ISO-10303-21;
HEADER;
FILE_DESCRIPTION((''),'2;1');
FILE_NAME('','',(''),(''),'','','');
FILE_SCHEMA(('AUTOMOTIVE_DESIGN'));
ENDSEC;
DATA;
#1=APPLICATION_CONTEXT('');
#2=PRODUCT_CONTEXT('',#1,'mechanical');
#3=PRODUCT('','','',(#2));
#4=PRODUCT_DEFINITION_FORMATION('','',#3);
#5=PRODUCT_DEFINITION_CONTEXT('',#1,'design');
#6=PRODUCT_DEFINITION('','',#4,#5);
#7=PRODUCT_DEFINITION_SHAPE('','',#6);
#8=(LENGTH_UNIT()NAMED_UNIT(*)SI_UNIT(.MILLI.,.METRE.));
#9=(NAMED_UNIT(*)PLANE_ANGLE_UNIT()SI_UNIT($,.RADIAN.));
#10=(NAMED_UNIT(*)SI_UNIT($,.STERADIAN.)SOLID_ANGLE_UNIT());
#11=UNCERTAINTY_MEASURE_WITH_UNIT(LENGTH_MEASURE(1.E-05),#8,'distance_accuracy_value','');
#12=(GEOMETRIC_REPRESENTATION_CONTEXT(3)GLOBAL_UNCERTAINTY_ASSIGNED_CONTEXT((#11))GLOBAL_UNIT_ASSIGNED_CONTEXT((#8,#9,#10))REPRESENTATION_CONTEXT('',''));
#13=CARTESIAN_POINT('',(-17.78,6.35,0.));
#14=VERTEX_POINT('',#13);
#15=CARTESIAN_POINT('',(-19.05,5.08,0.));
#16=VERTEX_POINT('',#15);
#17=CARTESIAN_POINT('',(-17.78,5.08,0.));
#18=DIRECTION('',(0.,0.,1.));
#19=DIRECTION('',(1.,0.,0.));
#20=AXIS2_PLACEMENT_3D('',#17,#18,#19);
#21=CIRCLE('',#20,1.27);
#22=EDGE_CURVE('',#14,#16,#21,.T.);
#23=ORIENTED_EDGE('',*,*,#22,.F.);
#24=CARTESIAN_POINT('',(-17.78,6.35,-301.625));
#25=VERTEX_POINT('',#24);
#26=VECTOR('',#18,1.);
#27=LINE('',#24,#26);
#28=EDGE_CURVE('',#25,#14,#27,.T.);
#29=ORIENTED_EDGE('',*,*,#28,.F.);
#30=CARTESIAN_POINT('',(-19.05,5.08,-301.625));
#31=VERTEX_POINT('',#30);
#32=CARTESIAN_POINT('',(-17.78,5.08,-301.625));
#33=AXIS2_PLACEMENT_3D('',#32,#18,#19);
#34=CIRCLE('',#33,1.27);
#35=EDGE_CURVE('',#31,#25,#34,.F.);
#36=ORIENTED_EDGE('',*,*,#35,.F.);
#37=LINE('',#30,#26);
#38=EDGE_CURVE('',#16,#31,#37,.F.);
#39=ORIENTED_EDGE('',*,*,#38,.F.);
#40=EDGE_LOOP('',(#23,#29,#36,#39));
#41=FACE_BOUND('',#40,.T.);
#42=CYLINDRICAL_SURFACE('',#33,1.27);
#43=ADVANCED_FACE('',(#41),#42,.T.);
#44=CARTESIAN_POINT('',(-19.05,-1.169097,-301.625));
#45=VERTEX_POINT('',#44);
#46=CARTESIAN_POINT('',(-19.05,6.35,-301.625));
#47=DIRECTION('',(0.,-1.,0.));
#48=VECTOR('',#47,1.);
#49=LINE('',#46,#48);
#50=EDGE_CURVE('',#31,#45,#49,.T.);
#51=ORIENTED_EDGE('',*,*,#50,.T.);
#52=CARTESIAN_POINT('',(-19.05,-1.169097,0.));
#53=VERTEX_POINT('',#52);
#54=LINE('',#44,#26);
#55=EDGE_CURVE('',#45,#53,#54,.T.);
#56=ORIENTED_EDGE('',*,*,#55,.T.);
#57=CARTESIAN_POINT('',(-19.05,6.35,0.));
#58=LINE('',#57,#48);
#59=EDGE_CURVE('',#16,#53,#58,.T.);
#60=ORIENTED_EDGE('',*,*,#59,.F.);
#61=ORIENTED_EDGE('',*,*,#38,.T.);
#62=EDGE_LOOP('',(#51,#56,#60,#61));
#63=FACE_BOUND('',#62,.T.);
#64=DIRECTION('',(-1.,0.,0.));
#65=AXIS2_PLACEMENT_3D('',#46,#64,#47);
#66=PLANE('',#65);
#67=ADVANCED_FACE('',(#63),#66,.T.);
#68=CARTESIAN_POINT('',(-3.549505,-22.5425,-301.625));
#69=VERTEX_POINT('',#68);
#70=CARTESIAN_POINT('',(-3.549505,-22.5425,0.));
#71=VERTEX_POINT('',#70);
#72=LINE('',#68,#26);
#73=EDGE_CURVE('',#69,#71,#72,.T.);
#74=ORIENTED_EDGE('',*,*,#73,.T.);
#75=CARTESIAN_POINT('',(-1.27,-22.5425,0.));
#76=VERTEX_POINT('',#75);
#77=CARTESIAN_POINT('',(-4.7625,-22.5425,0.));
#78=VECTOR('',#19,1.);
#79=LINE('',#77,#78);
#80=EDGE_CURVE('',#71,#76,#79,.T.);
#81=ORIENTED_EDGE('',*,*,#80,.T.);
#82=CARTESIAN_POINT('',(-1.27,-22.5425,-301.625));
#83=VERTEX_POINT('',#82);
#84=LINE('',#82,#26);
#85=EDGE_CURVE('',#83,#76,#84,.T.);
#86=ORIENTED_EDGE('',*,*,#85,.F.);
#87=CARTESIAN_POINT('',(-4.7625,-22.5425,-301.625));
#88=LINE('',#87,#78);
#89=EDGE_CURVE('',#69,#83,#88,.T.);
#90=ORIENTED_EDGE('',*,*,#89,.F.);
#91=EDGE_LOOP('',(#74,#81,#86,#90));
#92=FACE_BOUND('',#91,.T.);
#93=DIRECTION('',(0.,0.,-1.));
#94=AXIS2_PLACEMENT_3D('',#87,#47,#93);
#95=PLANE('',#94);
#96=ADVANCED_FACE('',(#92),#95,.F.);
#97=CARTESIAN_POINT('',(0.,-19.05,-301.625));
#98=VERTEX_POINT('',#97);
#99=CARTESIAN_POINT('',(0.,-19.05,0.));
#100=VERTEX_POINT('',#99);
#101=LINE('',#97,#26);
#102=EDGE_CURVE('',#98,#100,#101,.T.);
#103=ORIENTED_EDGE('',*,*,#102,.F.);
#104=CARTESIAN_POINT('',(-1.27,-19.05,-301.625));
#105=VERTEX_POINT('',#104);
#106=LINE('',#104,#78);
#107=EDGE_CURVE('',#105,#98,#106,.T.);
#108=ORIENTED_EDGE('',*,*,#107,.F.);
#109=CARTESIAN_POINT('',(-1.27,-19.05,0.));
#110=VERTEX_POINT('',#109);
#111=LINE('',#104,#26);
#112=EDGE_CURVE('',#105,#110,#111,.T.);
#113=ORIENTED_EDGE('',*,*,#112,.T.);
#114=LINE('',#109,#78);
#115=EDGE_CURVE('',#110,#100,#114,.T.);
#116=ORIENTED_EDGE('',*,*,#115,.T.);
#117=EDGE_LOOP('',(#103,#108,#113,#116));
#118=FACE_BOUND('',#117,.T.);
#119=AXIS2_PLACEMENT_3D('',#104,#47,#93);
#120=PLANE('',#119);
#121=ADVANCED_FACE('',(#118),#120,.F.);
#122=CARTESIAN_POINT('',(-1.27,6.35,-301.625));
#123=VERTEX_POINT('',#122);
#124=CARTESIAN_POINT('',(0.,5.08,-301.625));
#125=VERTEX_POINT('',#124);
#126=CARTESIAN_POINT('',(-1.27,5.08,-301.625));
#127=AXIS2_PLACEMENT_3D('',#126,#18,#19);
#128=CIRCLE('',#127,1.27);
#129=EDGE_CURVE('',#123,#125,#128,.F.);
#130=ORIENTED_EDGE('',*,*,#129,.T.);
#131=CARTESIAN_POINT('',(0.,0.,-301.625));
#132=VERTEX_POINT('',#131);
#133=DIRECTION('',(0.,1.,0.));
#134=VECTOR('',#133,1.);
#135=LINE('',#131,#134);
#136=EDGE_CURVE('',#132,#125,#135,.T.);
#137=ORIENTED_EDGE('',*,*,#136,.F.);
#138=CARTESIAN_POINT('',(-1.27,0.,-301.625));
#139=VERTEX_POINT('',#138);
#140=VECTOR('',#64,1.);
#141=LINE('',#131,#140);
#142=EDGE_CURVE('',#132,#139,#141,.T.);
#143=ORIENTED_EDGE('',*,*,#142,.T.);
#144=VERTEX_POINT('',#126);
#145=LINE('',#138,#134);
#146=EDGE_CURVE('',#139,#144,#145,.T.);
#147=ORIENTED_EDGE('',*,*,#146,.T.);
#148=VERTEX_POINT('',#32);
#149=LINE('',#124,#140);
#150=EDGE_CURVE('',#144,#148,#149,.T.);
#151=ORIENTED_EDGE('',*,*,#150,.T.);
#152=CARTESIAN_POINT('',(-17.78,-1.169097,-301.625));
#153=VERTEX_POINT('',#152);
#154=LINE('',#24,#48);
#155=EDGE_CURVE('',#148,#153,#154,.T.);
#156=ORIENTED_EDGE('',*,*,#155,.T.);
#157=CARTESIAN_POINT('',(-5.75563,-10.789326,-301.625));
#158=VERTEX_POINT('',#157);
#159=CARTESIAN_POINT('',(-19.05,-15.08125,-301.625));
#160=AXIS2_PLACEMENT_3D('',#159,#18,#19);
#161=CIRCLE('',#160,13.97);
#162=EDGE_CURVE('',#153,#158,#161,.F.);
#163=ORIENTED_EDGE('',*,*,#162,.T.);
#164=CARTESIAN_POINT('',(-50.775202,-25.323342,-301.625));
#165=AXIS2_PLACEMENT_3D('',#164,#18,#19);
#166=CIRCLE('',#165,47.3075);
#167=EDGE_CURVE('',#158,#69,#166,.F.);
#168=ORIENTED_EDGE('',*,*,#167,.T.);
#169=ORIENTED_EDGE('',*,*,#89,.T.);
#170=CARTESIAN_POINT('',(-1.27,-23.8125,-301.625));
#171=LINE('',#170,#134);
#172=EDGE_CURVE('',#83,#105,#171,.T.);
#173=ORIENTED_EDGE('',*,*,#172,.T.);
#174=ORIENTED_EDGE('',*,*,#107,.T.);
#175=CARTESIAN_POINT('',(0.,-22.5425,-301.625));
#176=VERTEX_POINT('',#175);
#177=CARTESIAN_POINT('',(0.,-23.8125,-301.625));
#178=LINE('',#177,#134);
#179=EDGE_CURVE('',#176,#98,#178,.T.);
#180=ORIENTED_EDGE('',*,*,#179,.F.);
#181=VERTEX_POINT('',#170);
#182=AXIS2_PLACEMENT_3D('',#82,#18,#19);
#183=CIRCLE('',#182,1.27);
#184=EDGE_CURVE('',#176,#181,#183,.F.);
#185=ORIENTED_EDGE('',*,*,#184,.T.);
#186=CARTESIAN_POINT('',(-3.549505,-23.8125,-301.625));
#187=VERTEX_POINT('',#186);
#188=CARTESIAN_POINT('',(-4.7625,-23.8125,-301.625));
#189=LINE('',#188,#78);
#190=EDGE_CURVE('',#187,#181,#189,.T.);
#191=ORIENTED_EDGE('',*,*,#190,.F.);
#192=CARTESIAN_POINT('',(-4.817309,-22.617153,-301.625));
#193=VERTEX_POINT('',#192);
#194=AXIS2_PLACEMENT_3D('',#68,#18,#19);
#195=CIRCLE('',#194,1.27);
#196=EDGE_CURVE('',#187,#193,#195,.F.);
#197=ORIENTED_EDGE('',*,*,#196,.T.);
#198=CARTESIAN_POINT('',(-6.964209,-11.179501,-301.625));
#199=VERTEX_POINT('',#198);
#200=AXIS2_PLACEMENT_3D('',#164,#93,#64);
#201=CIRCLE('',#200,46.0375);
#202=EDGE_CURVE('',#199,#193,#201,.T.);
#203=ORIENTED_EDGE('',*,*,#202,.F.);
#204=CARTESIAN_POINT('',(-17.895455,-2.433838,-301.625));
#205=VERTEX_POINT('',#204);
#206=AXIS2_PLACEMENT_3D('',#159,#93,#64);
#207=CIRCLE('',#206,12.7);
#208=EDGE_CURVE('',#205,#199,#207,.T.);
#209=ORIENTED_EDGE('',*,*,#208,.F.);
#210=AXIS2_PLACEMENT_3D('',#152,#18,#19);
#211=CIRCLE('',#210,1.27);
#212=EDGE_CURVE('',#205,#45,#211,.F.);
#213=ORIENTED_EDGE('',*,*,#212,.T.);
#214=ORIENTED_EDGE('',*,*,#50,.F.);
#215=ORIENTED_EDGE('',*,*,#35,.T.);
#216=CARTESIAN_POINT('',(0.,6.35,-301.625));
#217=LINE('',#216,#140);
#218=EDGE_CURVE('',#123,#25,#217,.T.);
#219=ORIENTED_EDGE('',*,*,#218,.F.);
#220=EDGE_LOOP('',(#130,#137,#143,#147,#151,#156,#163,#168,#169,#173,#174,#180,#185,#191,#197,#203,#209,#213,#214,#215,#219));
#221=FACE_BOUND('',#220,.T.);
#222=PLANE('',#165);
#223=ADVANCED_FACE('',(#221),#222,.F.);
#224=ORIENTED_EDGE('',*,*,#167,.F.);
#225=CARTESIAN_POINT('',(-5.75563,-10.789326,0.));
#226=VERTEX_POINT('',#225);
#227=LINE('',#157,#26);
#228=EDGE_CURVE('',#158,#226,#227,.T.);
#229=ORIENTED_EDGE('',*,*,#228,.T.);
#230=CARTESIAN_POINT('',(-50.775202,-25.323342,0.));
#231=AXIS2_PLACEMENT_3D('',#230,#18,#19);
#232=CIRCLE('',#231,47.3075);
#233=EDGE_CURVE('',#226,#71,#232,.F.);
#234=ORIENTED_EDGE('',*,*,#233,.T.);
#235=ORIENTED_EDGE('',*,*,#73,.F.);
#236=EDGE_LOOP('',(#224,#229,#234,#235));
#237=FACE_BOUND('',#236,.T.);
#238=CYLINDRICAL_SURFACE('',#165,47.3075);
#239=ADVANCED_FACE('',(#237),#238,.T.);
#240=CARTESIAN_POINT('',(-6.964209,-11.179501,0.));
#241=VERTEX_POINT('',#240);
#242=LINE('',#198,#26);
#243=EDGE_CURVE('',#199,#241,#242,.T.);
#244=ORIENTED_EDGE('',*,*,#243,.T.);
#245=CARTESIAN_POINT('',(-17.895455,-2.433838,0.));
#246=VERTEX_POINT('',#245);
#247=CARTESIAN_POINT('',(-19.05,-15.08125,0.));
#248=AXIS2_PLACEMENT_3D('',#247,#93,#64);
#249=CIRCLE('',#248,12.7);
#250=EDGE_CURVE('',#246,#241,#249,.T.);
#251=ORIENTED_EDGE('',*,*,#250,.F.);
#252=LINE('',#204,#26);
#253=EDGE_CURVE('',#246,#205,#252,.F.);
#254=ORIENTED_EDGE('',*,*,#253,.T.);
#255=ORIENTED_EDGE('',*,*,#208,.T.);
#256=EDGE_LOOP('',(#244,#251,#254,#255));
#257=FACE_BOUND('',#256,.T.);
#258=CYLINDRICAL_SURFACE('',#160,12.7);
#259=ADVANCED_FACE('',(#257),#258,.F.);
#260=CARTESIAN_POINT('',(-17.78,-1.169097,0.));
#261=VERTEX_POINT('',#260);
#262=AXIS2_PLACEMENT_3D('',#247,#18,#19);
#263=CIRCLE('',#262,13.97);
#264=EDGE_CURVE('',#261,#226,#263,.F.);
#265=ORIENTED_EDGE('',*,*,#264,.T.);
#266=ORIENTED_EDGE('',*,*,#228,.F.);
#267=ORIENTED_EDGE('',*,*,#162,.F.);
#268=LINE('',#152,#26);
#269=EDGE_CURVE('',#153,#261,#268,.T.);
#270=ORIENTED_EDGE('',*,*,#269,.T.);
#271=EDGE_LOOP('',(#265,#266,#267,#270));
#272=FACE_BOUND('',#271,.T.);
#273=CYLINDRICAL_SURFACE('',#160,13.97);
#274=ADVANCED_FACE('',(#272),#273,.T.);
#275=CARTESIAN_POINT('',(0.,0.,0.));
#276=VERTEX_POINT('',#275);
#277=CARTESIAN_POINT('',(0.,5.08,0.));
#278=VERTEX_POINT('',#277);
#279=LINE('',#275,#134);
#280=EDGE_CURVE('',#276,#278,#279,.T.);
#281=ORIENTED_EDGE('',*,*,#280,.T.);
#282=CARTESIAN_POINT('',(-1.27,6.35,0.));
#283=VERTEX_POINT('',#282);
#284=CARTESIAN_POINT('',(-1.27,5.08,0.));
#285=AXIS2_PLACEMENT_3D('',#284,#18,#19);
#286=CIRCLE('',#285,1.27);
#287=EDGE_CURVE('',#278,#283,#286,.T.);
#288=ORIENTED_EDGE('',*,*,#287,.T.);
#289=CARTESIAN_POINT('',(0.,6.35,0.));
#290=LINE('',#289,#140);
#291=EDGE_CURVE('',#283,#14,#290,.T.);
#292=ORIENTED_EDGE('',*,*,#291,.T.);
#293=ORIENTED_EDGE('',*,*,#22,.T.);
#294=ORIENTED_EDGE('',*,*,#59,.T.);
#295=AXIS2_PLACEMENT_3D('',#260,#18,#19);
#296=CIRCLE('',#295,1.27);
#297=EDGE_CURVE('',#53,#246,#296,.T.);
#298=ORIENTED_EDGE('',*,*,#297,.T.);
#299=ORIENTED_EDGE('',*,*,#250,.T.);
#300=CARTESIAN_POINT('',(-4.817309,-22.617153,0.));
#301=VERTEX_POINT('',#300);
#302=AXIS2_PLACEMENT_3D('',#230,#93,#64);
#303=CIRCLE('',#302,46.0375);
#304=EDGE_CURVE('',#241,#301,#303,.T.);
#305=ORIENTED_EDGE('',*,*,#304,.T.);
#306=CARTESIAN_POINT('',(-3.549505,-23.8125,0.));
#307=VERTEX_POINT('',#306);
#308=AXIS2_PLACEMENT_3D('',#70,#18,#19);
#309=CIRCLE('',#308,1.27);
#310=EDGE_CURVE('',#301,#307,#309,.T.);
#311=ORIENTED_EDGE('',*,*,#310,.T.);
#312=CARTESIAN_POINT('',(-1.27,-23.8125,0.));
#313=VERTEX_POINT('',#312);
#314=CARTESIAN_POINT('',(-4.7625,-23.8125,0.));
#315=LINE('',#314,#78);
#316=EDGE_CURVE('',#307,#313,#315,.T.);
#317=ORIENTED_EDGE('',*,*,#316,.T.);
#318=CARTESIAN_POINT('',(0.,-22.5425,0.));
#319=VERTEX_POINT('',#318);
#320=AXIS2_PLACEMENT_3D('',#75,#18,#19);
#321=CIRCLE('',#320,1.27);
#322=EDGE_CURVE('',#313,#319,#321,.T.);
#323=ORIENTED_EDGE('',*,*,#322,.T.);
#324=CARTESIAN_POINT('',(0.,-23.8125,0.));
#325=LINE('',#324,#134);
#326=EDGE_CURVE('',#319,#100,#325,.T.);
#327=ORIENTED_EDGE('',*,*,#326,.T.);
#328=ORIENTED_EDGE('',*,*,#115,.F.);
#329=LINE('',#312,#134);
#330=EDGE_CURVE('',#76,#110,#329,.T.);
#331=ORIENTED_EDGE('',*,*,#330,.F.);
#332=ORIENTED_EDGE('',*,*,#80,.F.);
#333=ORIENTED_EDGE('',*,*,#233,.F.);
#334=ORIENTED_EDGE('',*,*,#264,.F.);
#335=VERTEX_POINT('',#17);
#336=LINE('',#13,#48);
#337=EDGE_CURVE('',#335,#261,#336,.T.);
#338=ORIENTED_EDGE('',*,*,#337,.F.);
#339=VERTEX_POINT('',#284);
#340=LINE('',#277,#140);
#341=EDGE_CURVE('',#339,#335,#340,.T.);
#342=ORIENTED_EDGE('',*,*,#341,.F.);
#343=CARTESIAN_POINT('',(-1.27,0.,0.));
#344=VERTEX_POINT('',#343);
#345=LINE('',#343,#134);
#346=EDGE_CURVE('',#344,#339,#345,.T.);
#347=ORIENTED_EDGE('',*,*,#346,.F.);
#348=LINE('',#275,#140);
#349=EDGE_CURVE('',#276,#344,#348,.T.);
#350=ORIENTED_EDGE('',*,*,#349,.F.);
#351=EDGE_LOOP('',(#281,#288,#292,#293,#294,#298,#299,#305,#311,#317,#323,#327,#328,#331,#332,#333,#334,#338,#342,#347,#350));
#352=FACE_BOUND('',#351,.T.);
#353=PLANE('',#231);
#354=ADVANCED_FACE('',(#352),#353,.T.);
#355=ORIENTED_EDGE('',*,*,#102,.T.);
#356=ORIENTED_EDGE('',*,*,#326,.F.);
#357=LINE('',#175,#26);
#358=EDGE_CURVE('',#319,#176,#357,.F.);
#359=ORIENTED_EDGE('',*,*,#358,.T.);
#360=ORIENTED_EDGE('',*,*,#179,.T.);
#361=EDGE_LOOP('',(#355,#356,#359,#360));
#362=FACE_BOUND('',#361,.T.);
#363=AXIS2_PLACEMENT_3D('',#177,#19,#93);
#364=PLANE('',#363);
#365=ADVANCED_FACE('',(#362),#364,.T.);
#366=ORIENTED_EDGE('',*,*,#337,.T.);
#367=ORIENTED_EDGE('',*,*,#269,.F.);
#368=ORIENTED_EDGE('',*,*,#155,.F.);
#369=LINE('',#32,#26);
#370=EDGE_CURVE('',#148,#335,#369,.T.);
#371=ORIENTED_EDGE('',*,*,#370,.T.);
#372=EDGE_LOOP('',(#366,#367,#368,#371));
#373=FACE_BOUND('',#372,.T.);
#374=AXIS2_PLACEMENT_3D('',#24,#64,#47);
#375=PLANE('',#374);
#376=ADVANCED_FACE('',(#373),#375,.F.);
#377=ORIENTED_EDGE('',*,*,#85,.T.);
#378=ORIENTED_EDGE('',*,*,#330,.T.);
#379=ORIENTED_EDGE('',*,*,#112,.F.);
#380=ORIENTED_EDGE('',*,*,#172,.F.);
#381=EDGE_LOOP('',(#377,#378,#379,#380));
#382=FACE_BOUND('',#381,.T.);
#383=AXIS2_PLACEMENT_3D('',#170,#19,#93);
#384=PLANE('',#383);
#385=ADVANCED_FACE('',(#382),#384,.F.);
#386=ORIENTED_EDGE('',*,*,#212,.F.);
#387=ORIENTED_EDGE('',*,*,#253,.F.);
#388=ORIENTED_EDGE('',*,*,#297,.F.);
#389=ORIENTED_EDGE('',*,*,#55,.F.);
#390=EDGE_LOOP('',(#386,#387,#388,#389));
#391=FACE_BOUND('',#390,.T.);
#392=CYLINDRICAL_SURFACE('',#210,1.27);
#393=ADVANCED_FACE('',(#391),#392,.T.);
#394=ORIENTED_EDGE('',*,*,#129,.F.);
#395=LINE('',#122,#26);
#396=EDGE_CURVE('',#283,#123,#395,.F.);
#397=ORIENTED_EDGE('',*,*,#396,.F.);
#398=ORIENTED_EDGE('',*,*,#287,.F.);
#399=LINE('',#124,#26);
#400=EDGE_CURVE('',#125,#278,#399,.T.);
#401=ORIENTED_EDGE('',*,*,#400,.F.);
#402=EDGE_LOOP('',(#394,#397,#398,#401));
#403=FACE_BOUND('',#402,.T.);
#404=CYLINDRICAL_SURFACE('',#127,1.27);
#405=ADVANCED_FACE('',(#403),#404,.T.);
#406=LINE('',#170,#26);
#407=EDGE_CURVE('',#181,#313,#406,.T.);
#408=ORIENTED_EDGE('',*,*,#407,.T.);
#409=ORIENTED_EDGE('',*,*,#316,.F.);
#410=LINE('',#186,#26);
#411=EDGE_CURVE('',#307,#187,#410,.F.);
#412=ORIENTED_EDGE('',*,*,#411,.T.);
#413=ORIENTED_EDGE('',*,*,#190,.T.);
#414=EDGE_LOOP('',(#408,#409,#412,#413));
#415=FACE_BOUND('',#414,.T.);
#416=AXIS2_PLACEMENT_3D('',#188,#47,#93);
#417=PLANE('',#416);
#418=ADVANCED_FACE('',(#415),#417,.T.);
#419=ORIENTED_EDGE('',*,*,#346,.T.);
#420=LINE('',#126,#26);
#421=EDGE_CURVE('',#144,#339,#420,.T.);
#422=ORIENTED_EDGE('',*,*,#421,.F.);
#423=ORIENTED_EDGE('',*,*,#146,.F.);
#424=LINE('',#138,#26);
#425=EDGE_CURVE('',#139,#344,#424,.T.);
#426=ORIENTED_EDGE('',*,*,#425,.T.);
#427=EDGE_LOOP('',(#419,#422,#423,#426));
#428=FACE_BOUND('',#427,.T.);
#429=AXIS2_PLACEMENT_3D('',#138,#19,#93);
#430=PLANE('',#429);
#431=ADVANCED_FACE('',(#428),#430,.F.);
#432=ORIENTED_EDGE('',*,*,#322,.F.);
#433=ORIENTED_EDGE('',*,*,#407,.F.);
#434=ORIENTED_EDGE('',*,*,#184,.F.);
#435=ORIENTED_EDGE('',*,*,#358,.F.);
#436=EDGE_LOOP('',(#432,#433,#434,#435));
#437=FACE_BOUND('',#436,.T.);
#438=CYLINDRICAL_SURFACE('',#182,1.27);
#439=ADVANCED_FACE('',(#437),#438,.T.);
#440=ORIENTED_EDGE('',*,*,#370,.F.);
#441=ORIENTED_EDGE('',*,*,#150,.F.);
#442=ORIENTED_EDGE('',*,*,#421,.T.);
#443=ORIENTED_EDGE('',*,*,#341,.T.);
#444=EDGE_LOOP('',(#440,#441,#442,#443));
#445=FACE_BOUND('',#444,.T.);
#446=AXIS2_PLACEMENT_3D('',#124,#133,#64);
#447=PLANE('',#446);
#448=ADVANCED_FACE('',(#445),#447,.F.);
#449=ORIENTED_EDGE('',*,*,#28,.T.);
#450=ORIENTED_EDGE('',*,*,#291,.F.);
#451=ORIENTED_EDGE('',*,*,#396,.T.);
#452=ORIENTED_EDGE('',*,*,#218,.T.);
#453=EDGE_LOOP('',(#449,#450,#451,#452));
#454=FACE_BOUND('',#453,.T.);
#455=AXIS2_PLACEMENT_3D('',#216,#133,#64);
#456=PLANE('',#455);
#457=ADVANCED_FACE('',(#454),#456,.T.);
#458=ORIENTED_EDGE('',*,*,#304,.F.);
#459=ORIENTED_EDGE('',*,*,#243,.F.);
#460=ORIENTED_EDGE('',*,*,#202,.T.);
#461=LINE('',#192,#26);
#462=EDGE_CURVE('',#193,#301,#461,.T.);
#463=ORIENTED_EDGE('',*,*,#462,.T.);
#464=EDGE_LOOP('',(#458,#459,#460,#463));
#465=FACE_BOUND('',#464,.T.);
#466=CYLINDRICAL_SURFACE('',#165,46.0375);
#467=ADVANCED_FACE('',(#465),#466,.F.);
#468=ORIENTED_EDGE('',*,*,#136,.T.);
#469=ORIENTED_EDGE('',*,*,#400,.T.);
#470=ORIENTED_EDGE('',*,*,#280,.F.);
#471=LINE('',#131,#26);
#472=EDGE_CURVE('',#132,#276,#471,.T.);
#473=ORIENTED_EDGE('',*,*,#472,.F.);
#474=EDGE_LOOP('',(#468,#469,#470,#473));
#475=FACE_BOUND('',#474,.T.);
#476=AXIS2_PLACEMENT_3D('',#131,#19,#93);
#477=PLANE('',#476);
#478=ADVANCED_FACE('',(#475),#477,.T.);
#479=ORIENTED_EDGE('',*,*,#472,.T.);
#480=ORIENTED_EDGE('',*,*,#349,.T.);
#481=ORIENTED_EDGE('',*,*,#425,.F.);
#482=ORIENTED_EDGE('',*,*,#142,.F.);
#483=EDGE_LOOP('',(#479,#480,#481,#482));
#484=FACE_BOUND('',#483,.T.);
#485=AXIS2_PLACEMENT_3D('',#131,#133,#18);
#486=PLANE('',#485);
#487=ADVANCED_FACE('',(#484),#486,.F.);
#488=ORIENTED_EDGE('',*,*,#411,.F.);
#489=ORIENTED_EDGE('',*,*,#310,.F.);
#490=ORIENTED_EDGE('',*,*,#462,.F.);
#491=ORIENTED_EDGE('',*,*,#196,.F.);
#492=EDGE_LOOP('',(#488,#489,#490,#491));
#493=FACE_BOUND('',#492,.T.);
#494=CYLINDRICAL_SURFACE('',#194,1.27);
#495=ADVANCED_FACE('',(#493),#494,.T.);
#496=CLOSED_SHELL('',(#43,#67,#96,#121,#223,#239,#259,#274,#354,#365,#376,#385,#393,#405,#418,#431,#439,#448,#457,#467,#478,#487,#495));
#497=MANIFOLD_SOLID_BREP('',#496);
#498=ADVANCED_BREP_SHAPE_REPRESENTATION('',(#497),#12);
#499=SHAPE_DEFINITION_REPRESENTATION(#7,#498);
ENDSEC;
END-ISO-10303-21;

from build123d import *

# Parameters (mm, degrees)
EXTRUDE_THIN1_DEPTH = 301.625
FILLET1_R           = 1.27


with BuildPart() as part:
    # Sketch1 → Extrude-Thin1 (new body)
    with BuildSketch(Plane.XY):
        with BuildLine():
            Line((0, 0), (0, 6.35))
            Line((0, 6.35), (-19.05, 6.35))
            Line((-19.05, 6.35), (-19.05, -2.38125))
            ThreePointArc((-19.05, -2.38125), (-11.575450433, -4.813771791), (-6.964208693, -11.179500588))
            ThreePointArc((-6.964208693, -11.179500588), (-5.421346287, -17.418966095), (-4.7625, -23.8125))
            Line((-4.7625, -23.8125), (0, -23.8125))
            Line((0, -23.8125), (0, -19.05))
            Line((0, -19.05), (-1.27, -19.05))
            Line((-1.27, -19.05), (-1.27, -22.5425))
            Line((-1.27, -22.5425), (-3.549505015, -22.5425))
            ThreePointArc((-3.549505015, -22.5425), (-4.279699966, -16.595923923), (-5.755629562, -10.789325647))
            ThreePointArc((-5.755629562, -10.789325647), (-10.322605132, -4.172836787), (-17.78, -1.169097039))
            Line((-17.78, -1.169097039), (-17.78, 5.08))
            Line((-17.78, 5.08), (-1.27, 5.08))
            Line((-1.27, 5.08), (-1.27, 0))
            Line((-1.27, 0), (0, 0))
        make_face()
    extrude(amount=-EXTRUDE_THIN1_DEPTH)

    # Fillet1
    fillet1_edges = [part.edges().sort_by_distance(p)[0] for p in [
        (0, -23.8125, -150.8125),
        (-4.7625, -23.8125, -150.8125),
        (-19.05, -2.38125, -150.8125),
        (-19.05, 6.35, -150.8125),
        (0, 6.35, -150.8125),
    ]]
    fillet(fillet1_edges, radius=FILLET1_R)


solid = part.part
